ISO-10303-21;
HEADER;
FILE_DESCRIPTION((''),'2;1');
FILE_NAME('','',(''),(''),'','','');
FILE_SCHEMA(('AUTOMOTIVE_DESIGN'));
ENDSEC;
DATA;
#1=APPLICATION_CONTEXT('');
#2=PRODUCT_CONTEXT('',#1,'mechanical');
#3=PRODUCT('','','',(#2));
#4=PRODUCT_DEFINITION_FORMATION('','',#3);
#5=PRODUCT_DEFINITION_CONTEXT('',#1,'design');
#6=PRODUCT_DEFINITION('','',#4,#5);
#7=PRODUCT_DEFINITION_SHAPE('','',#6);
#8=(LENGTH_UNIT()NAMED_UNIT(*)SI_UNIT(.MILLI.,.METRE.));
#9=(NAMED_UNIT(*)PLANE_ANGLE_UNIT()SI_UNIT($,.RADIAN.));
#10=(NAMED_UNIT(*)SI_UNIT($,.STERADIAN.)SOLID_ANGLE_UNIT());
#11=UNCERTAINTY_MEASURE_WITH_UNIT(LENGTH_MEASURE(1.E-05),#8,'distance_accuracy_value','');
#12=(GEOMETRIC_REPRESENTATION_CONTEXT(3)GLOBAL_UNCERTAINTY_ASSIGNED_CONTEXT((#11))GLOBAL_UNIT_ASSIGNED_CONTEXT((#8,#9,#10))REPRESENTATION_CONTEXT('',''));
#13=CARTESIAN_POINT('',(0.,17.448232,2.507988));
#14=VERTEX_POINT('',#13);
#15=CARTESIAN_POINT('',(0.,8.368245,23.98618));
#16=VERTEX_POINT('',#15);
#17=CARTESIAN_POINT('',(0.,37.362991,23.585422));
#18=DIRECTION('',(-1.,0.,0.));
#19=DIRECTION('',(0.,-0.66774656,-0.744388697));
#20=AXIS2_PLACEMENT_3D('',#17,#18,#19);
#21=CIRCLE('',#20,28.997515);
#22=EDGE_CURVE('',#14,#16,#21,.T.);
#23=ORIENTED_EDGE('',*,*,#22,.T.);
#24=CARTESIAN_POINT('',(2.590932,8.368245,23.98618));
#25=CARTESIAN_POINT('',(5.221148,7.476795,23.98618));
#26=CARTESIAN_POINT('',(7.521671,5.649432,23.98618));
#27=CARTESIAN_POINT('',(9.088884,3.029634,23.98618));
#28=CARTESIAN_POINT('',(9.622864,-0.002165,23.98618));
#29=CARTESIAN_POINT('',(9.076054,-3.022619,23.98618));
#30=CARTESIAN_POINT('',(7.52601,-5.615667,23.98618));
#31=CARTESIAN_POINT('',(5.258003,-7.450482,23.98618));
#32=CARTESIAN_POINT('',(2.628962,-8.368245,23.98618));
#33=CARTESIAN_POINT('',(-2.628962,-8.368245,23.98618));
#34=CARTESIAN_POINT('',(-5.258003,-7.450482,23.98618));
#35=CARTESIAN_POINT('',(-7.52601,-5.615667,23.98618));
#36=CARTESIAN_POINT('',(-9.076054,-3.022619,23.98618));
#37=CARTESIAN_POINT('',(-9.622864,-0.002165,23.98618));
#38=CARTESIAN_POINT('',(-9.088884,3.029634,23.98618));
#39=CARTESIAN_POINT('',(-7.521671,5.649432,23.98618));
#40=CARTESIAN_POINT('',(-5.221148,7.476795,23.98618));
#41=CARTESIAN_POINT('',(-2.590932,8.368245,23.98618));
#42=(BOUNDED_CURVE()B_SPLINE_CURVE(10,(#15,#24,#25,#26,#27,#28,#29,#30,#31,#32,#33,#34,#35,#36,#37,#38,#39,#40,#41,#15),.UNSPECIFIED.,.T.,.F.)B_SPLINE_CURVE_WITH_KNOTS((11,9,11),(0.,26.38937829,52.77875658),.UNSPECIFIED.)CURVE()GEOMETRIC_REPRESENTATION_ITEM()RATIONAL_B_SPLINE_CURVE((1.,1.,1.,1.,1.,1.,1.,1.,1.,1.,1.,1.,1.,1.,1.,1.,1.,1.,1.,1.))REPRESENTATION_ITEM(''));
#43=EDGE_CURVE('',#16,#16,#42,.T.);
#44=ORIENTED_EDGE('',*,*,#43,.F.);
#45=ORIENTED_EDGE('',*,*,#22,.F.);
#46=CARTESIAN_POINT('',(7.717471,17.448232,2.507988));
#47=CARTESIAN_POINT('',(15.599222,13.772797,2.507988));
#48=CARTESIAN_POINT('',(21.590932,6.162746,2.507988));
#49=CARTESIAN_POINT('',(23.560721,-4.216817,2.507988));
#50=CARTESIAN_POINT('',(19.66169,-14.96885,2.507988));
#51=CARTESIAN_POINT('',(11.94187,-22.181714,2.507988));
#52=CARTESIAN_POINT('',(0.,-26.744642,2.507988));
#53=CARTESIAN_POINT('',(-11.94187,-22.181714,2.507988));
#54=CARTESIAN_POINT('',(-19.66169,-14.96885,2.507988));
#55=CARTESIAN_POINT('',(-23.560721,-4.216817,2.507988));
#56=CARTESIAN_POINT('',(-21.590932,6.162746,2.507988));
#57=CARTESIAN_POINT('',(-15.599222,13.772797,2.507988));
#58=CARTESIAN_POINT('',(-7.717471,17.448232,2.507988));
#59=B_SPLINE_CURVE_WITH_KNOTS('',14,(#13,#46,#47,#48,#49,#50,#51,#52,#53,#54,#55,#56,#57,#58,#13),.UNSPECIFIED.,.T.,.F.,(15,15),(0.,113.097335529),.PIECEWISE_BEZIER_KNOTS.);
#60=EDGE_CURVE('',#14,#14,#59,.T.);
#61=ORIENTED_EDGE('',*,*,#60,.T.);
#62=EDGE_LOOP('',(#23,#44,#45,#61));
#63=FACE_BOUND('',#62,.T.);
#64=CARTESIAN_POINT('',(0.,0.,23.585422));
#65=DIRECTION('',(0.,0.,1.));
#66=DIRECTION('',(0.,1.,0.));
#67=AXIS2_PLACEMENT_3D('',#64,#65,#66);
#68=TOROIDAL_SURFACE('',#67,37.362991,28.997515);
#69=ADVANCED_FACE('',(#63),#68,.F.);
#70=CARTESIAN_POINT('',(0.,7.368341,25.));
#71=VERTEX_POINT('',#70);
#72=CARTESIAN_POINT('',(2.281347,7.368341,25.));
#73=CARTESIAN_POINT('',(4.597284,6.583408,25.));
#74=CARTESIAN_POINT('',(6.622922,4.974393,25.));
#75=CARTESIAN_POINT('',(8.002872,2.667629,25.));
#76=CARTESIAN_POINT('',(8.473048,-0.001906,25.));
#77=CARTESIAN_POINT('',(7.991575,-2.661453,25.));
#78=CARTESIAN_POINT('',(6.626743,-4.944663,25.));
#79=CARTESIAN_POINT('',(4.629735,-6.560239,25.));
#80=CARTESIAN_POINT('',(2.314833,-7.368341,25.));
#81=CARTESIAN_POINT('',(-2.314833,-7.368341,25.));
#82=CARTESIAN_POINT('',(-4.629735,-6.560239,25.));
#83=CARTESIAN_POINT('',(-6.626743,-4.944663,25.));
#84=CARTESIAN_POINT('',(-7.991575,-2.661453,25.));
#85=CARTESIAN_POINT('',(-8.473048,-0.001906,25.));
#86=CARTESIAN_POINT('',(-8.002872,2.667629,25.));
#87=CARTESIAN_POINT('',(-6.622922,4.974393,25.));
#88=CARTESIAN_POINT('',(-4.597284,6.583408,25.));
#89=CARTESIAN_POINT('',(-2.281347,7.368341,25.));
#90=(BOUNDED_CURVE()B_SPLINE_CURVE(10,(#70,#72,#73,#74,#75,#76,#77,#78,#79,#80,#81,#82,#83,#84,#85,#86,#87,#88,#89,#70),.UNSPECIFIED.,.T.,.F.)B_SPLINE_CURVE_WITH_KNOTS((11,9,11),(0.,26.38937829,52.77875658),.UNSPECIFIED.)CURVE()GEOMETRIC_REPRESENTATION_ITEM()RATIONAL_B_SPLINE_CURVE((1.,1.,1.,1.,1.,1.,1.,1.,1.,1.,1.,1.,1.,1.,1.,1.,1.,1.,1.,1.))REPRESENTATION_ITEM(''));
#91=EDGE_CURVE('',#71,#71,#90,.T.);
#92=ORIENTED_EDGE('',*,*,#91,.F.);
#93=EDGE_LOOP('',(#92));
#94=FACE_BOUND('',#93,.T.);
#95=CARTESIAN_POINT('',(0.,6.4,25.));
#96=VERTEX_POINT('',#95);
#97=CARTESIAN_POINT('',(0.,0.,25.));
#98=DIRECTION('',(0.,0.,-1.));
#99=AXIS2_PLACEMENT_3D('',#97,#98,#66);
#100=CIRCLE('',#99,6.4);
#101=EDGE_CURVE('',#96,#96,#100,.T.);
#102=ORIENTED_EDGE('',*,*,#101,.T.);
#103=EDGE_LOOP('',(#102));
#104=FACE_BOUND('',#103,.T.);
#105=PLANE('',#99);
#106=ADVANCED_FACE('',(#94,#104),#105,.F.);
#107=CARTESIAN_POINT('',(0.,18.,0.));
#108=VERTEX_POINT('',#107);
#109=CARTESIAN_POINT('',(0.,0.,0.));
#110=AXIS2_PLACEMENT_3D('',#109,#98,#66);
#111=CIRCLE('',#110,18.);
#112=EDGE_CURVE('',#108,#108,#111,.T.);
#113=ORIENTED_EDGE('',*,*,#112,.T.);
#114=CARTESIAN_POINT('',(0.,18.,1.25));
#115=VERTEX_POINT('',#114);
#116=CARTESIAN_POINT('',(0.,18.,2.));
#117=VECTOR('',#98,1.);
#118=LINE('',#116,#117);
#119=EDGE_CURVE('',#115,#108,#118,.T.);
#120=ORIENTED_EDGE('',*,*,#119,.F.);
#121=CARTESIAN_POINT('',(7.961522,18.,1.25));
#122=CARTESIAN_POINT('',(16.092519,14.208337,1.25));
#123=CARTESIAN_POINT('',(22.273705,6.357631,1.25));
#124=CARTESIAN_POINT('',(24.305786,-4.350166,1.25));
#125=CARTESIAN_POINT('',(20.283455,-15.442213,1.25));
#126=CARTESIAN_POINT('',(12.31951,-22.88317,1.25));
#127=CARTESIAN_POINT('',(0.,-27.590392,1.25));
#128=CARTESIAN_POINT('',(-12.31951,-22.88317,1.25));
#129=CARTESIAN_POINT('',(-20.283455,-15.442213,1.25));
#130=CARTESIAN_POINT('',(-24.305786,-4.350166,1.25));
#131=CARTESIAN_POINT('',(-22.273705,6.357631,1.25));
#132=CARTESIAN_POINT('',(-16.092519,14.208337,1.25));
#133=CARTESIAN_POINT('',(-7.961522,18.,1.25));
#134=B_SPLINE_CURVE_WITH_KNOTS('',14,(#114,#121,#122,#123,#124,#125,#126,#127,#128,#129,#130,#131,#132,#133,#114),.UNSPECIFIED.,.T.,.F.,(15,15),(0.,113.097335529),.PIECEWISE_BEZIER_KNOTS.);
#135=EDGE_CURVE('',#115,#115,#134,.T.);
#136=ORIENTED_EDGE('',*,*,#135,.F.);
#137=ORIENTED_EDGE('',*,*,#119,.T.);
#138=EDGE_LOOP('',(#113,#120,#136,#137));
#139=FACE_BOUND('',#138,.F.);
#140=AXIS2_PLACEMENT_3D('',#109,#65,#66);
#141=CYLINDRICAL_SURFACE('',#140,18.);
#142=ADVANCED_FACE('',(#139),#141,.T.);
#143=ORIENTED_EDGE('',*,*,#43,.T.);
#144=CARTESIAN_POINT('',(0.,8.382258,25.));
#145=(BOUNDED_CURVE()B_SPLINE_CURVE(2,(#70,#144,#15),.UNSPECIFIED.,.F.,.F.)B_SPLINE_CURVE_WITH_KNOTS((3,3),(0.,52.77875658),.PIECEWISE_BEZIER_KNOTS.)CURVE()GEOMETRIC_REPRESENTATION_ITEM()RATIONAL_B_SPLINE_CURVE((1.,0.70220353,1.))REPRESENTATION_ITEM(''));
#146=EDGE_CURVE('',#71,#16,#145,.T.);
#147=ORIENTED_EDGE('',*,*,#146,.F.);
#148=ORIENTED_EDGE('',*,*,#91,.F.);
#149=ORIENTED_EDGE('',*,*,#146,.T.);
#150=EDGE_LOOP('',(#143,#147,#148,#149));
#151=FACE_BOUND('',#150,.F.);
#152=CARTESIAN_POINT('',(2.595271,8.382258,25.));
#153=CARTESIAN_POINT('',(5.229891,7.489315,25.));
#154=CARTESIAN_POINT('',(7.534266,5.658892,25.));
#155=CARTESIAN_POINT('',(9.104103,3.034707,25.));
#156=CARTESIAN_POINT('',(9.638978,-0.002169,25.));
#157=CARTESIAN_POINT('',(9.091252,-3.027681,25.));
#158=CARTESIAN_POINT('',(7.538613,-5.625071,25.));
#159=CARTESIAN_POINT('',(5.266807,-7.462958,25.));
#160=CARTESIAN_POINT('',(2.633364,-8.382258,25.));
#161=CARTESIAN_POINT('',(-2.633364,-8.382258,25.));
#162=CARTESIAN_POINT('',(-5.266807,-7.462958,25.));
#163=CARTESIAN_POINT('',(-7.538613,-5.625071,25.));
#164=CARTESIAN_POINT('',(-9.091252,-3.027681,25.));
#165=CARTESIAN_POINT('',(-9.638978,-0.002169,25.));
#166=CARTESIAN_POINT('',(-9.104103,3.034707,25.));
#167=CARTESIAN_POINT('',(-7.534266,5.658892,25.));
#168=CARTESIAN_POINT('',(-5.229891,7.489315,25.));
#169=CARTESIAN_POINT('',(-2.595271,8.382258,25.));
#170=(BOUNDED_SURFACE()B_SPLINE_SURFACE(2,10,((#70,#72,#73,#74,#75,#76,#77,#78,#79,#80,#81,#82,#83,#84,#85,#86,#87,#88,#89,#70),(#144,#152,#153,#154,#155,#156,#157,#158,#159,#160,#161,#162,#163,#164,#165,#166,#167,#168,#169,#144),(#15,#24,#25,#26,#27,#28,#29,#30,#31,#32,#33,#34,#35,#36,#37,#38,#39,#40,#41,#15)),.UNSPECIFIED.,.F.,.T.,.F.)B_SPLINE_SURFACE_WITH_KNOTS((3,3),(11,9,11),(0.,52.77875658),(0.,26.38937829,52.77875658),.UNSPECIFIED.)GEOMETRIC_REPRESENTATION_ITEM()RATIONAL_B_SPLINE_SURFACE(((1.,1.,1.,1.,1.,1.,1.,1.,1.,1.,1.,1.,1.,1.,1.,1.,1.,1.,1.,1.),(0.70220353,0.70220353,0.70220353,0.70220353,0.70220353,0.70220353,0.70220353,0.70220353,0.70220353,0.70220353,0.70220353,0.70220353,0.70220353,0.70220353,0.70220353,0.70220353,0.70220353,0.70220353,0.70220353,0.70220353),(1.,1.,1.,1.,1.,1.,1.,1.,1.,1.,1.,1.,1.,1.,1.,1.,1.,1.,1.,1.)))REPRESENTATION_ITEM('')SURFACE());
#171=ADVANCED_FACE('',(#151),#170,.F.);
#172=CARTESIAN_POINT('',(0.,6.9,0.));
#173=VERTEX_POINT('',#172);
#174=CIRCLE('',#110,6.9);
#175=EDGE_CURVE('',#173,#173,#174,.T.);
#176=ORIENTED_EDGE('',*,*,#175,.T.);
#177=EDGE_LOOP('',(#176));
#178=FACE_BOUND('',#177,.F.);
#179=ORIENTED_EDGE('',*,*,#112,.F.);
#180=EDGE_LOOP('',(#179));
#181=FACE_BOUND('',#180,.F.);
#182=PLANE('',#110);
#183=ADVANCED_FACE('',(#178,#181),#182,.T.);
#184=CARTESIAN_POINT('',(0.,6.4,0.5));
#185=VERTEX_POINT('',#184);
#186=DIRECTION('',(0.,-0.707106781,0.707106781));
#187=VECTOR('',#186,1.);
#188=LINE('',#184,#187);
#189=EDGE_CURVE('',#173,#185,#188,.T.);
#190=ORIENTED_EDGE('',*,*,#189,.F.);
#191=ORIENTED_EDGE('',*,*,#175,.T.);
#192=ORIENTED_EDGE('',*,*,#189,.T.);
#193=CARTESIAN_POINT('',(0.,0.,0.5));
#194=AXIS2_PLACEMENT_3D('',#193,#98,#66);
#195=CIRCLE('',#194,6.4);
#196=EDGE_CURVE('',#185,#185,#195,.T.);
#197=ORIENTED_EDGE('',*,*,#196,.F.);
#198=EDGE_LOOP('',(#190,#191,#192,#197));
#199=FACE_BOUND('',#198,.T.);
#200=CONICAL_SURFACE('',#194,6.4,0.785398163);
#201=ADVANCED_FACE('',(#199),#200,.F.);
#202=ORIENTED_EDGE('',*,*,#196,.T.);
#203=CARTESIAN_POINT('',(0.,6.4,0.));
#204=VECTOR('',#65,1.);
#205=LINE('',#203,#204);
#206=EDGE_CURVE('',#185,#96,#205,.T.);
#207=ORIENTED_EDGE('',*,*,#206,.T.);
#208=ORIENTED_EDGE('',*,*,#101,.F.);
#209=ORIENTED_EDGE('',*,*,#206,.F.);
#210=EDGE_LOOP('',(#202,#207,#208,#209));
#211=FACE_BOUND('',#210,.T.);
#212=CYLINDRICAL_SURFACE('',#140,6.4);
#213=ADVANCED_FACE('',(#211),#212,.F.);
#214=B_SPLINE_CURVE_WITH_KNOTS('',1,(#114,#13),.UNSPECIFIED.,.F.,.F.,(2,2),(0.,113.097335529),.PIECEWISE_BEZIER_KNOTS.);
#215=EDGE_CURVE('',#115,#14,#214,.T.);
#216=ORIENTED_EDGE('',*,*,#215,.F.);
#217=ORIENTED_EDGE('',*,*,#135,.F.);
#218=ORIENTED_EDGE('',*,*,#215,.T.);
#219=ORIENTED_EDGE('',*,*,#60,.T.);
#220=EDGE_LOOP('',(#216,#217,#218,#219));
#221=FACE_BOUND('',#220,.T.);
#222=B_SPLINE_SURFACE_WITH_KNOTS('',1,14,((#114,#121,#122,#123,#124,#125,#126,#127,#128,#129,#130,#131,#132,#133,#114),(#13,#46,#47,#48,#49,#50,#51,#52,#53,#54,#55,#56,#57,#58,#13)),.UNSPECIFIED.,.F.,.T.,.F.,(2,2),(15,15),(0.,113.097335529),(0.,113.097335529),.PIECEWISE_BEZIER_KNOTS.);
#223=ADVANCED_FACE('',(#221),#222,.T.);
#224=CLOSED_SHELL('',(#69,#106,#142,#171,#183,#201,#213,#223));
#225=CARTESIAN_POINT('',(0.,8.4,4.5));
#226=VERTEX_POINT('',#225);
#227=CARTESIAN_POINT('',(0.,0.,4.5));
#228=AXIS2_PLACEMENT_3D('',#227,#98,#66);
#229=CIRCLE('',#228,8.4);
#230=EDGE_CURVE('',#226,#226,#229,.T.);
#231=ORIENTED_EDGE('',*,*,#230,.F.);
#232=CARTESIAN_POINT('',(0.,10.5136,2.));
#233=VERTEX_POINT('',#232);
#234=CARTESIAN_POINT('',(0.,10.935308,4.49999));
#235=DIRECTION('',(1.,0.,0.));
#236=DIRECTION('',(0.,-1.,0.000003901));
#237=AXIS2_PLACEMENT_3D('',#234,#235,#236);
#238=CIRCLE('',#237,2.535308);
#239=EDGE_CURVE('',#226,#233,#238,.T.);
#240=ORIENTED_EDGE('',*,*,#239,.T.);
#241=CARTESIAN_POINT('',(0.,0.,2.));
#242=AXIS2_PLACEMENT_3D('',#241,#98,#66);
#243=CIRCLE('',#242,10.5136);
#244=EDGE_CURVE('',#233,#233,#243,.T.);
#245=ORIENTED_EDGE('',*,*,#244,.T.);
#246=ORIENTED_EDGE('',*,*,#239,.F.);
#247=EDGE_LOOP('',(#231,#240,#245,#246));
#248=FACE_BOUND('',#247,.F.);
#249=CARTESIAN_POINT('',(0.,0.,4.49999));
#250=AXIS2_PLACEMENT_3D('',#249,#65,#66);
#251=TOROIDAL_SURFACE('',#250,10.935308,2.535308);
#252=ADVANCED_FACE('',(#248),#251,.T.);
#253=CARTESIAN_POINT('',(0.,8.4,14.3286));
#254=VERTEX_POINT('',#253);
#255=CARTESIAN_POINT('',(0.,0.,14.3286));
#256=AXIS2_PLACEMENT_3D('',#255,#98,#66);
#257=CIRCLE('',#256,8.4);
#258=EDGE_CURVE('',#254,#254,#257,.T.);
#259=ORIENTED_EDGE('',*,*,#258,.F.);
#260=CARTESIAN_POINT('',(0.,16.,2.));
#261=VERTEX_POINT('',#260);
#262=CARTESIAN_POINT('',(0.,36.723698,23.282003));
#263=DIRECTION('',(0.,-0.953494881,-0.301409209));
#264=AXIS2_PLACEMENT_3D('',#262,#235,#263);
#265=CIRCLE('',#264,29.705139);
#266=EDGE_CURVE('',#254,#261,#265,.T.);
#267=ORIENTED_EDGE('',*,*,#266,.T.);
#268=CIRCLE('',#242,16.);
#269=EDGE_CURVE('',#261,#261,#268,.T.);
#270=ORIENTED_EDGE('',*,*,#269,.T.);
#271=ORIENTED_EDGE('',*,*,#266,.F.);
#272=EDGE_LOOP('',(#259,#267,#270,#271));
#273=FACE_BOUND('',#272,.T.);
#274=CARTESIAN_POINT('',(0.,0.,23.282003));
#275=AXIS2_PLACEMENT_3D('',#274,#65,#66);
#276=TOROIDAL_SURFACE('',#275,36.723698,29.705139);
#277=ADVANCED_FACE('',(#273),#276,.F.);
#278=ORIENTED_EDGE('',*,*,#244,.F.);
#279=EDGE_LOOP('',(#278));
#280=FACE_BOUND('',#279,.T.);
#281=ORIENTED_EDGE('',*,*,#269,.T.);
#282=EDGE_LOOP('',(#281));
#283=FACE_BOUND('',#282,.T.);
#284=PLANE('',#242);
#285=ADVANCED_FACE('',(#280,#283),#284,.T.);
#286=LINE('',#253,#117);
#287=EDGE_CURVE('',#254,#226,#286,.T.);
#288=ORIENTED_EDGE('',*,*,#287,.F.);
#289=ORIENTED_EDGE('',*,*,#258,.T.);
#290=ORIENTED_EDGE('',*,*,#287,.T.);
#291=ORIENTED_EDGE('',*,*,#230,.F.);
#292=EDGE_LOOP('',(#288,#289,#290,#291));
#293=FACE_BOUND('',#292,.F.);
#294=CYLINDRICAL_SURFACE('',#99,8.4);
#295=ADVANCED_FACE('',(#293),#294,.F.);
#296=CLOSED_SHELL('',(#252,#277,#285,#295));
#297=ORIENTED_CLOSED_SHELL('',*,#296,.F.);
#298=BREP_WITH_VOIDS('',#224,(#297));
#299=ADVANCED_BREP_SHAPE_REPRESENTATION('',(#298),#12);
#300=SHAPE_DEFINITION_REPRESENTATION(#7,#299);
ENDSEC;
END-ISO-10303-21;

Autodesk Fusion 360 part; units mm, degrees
sketch "Sketch1" plane through (0, 0, 0) normal (1, 0, 0) x (0, 1, 0)
  line L0 (6.4, 0) -> (6.4, 25)
  line L1 (0, 25) -> (0, 0)
  line L2 (6.4, 0.1899) -> (6.4, 25)
  line L3 (0, 0) -> (18, 0)
  line L4 (0, 1) -> (0, 0)
  line L5 (6.4, 25) -> (7.4, 25)
  line L6 (18, 0) -> (18, 1)
  line L7 (18, 1) -> (16.5, 1) construction
  line L8 (7.4, 25) -> (8.4, 25)
  line L9 (18, 1) -> (18, 2)
  arc A0 (8.4, 25) -> (18, 2) centre (37.363, 23.5854) ccw
  line L10 (8.4, 25) -> (8.4, 7)
  line L11 (18, 2) -> (9, 2)
  line L12 (18, 2) -> (16, 2)
  arc A1 (8.4, 14.3286) -> (16, 2) centre (36.7237, 23.282) ccw
  line L13 (8.4, 7) -> (8.4, 2)
  line L14 (8.4, 2) -> (9, 2)
  arc A2 (8.4, 4.5) -> (10.5136, 2) centre (10.9353, 4.5) ccw
  dimension "d1" = 6.4
  dimension "d2" = 25
  dimension "d10" = 1
  dimension "d11" = 1
  dimension "d14" = 1
  dimension "d15" = 1
  dimension "d16" = 2
revolve "Revolve3" add sketch "Sketch1" angle 360 about axis through (0, 0, 25) along (0, 0, -1) contours L0 L2 L3 L5 L6 L8 L9 A0 L10 L11 L12 L13 L14 | A0 L10 L11 L12 A1 | L11 L13 L14 A2
chamfer "Chamfer4" distance 0.75 angle 45 1 edges at (-16.7819, 6.5091, 2)
chamfer "Chamfer5" distance 0.5 angle 45 1 edges at (-5.9669, 2.3143, 0)
fillet "Fillet1" radius 1 1 edges at (-7.8315, 3.0376, 25)
